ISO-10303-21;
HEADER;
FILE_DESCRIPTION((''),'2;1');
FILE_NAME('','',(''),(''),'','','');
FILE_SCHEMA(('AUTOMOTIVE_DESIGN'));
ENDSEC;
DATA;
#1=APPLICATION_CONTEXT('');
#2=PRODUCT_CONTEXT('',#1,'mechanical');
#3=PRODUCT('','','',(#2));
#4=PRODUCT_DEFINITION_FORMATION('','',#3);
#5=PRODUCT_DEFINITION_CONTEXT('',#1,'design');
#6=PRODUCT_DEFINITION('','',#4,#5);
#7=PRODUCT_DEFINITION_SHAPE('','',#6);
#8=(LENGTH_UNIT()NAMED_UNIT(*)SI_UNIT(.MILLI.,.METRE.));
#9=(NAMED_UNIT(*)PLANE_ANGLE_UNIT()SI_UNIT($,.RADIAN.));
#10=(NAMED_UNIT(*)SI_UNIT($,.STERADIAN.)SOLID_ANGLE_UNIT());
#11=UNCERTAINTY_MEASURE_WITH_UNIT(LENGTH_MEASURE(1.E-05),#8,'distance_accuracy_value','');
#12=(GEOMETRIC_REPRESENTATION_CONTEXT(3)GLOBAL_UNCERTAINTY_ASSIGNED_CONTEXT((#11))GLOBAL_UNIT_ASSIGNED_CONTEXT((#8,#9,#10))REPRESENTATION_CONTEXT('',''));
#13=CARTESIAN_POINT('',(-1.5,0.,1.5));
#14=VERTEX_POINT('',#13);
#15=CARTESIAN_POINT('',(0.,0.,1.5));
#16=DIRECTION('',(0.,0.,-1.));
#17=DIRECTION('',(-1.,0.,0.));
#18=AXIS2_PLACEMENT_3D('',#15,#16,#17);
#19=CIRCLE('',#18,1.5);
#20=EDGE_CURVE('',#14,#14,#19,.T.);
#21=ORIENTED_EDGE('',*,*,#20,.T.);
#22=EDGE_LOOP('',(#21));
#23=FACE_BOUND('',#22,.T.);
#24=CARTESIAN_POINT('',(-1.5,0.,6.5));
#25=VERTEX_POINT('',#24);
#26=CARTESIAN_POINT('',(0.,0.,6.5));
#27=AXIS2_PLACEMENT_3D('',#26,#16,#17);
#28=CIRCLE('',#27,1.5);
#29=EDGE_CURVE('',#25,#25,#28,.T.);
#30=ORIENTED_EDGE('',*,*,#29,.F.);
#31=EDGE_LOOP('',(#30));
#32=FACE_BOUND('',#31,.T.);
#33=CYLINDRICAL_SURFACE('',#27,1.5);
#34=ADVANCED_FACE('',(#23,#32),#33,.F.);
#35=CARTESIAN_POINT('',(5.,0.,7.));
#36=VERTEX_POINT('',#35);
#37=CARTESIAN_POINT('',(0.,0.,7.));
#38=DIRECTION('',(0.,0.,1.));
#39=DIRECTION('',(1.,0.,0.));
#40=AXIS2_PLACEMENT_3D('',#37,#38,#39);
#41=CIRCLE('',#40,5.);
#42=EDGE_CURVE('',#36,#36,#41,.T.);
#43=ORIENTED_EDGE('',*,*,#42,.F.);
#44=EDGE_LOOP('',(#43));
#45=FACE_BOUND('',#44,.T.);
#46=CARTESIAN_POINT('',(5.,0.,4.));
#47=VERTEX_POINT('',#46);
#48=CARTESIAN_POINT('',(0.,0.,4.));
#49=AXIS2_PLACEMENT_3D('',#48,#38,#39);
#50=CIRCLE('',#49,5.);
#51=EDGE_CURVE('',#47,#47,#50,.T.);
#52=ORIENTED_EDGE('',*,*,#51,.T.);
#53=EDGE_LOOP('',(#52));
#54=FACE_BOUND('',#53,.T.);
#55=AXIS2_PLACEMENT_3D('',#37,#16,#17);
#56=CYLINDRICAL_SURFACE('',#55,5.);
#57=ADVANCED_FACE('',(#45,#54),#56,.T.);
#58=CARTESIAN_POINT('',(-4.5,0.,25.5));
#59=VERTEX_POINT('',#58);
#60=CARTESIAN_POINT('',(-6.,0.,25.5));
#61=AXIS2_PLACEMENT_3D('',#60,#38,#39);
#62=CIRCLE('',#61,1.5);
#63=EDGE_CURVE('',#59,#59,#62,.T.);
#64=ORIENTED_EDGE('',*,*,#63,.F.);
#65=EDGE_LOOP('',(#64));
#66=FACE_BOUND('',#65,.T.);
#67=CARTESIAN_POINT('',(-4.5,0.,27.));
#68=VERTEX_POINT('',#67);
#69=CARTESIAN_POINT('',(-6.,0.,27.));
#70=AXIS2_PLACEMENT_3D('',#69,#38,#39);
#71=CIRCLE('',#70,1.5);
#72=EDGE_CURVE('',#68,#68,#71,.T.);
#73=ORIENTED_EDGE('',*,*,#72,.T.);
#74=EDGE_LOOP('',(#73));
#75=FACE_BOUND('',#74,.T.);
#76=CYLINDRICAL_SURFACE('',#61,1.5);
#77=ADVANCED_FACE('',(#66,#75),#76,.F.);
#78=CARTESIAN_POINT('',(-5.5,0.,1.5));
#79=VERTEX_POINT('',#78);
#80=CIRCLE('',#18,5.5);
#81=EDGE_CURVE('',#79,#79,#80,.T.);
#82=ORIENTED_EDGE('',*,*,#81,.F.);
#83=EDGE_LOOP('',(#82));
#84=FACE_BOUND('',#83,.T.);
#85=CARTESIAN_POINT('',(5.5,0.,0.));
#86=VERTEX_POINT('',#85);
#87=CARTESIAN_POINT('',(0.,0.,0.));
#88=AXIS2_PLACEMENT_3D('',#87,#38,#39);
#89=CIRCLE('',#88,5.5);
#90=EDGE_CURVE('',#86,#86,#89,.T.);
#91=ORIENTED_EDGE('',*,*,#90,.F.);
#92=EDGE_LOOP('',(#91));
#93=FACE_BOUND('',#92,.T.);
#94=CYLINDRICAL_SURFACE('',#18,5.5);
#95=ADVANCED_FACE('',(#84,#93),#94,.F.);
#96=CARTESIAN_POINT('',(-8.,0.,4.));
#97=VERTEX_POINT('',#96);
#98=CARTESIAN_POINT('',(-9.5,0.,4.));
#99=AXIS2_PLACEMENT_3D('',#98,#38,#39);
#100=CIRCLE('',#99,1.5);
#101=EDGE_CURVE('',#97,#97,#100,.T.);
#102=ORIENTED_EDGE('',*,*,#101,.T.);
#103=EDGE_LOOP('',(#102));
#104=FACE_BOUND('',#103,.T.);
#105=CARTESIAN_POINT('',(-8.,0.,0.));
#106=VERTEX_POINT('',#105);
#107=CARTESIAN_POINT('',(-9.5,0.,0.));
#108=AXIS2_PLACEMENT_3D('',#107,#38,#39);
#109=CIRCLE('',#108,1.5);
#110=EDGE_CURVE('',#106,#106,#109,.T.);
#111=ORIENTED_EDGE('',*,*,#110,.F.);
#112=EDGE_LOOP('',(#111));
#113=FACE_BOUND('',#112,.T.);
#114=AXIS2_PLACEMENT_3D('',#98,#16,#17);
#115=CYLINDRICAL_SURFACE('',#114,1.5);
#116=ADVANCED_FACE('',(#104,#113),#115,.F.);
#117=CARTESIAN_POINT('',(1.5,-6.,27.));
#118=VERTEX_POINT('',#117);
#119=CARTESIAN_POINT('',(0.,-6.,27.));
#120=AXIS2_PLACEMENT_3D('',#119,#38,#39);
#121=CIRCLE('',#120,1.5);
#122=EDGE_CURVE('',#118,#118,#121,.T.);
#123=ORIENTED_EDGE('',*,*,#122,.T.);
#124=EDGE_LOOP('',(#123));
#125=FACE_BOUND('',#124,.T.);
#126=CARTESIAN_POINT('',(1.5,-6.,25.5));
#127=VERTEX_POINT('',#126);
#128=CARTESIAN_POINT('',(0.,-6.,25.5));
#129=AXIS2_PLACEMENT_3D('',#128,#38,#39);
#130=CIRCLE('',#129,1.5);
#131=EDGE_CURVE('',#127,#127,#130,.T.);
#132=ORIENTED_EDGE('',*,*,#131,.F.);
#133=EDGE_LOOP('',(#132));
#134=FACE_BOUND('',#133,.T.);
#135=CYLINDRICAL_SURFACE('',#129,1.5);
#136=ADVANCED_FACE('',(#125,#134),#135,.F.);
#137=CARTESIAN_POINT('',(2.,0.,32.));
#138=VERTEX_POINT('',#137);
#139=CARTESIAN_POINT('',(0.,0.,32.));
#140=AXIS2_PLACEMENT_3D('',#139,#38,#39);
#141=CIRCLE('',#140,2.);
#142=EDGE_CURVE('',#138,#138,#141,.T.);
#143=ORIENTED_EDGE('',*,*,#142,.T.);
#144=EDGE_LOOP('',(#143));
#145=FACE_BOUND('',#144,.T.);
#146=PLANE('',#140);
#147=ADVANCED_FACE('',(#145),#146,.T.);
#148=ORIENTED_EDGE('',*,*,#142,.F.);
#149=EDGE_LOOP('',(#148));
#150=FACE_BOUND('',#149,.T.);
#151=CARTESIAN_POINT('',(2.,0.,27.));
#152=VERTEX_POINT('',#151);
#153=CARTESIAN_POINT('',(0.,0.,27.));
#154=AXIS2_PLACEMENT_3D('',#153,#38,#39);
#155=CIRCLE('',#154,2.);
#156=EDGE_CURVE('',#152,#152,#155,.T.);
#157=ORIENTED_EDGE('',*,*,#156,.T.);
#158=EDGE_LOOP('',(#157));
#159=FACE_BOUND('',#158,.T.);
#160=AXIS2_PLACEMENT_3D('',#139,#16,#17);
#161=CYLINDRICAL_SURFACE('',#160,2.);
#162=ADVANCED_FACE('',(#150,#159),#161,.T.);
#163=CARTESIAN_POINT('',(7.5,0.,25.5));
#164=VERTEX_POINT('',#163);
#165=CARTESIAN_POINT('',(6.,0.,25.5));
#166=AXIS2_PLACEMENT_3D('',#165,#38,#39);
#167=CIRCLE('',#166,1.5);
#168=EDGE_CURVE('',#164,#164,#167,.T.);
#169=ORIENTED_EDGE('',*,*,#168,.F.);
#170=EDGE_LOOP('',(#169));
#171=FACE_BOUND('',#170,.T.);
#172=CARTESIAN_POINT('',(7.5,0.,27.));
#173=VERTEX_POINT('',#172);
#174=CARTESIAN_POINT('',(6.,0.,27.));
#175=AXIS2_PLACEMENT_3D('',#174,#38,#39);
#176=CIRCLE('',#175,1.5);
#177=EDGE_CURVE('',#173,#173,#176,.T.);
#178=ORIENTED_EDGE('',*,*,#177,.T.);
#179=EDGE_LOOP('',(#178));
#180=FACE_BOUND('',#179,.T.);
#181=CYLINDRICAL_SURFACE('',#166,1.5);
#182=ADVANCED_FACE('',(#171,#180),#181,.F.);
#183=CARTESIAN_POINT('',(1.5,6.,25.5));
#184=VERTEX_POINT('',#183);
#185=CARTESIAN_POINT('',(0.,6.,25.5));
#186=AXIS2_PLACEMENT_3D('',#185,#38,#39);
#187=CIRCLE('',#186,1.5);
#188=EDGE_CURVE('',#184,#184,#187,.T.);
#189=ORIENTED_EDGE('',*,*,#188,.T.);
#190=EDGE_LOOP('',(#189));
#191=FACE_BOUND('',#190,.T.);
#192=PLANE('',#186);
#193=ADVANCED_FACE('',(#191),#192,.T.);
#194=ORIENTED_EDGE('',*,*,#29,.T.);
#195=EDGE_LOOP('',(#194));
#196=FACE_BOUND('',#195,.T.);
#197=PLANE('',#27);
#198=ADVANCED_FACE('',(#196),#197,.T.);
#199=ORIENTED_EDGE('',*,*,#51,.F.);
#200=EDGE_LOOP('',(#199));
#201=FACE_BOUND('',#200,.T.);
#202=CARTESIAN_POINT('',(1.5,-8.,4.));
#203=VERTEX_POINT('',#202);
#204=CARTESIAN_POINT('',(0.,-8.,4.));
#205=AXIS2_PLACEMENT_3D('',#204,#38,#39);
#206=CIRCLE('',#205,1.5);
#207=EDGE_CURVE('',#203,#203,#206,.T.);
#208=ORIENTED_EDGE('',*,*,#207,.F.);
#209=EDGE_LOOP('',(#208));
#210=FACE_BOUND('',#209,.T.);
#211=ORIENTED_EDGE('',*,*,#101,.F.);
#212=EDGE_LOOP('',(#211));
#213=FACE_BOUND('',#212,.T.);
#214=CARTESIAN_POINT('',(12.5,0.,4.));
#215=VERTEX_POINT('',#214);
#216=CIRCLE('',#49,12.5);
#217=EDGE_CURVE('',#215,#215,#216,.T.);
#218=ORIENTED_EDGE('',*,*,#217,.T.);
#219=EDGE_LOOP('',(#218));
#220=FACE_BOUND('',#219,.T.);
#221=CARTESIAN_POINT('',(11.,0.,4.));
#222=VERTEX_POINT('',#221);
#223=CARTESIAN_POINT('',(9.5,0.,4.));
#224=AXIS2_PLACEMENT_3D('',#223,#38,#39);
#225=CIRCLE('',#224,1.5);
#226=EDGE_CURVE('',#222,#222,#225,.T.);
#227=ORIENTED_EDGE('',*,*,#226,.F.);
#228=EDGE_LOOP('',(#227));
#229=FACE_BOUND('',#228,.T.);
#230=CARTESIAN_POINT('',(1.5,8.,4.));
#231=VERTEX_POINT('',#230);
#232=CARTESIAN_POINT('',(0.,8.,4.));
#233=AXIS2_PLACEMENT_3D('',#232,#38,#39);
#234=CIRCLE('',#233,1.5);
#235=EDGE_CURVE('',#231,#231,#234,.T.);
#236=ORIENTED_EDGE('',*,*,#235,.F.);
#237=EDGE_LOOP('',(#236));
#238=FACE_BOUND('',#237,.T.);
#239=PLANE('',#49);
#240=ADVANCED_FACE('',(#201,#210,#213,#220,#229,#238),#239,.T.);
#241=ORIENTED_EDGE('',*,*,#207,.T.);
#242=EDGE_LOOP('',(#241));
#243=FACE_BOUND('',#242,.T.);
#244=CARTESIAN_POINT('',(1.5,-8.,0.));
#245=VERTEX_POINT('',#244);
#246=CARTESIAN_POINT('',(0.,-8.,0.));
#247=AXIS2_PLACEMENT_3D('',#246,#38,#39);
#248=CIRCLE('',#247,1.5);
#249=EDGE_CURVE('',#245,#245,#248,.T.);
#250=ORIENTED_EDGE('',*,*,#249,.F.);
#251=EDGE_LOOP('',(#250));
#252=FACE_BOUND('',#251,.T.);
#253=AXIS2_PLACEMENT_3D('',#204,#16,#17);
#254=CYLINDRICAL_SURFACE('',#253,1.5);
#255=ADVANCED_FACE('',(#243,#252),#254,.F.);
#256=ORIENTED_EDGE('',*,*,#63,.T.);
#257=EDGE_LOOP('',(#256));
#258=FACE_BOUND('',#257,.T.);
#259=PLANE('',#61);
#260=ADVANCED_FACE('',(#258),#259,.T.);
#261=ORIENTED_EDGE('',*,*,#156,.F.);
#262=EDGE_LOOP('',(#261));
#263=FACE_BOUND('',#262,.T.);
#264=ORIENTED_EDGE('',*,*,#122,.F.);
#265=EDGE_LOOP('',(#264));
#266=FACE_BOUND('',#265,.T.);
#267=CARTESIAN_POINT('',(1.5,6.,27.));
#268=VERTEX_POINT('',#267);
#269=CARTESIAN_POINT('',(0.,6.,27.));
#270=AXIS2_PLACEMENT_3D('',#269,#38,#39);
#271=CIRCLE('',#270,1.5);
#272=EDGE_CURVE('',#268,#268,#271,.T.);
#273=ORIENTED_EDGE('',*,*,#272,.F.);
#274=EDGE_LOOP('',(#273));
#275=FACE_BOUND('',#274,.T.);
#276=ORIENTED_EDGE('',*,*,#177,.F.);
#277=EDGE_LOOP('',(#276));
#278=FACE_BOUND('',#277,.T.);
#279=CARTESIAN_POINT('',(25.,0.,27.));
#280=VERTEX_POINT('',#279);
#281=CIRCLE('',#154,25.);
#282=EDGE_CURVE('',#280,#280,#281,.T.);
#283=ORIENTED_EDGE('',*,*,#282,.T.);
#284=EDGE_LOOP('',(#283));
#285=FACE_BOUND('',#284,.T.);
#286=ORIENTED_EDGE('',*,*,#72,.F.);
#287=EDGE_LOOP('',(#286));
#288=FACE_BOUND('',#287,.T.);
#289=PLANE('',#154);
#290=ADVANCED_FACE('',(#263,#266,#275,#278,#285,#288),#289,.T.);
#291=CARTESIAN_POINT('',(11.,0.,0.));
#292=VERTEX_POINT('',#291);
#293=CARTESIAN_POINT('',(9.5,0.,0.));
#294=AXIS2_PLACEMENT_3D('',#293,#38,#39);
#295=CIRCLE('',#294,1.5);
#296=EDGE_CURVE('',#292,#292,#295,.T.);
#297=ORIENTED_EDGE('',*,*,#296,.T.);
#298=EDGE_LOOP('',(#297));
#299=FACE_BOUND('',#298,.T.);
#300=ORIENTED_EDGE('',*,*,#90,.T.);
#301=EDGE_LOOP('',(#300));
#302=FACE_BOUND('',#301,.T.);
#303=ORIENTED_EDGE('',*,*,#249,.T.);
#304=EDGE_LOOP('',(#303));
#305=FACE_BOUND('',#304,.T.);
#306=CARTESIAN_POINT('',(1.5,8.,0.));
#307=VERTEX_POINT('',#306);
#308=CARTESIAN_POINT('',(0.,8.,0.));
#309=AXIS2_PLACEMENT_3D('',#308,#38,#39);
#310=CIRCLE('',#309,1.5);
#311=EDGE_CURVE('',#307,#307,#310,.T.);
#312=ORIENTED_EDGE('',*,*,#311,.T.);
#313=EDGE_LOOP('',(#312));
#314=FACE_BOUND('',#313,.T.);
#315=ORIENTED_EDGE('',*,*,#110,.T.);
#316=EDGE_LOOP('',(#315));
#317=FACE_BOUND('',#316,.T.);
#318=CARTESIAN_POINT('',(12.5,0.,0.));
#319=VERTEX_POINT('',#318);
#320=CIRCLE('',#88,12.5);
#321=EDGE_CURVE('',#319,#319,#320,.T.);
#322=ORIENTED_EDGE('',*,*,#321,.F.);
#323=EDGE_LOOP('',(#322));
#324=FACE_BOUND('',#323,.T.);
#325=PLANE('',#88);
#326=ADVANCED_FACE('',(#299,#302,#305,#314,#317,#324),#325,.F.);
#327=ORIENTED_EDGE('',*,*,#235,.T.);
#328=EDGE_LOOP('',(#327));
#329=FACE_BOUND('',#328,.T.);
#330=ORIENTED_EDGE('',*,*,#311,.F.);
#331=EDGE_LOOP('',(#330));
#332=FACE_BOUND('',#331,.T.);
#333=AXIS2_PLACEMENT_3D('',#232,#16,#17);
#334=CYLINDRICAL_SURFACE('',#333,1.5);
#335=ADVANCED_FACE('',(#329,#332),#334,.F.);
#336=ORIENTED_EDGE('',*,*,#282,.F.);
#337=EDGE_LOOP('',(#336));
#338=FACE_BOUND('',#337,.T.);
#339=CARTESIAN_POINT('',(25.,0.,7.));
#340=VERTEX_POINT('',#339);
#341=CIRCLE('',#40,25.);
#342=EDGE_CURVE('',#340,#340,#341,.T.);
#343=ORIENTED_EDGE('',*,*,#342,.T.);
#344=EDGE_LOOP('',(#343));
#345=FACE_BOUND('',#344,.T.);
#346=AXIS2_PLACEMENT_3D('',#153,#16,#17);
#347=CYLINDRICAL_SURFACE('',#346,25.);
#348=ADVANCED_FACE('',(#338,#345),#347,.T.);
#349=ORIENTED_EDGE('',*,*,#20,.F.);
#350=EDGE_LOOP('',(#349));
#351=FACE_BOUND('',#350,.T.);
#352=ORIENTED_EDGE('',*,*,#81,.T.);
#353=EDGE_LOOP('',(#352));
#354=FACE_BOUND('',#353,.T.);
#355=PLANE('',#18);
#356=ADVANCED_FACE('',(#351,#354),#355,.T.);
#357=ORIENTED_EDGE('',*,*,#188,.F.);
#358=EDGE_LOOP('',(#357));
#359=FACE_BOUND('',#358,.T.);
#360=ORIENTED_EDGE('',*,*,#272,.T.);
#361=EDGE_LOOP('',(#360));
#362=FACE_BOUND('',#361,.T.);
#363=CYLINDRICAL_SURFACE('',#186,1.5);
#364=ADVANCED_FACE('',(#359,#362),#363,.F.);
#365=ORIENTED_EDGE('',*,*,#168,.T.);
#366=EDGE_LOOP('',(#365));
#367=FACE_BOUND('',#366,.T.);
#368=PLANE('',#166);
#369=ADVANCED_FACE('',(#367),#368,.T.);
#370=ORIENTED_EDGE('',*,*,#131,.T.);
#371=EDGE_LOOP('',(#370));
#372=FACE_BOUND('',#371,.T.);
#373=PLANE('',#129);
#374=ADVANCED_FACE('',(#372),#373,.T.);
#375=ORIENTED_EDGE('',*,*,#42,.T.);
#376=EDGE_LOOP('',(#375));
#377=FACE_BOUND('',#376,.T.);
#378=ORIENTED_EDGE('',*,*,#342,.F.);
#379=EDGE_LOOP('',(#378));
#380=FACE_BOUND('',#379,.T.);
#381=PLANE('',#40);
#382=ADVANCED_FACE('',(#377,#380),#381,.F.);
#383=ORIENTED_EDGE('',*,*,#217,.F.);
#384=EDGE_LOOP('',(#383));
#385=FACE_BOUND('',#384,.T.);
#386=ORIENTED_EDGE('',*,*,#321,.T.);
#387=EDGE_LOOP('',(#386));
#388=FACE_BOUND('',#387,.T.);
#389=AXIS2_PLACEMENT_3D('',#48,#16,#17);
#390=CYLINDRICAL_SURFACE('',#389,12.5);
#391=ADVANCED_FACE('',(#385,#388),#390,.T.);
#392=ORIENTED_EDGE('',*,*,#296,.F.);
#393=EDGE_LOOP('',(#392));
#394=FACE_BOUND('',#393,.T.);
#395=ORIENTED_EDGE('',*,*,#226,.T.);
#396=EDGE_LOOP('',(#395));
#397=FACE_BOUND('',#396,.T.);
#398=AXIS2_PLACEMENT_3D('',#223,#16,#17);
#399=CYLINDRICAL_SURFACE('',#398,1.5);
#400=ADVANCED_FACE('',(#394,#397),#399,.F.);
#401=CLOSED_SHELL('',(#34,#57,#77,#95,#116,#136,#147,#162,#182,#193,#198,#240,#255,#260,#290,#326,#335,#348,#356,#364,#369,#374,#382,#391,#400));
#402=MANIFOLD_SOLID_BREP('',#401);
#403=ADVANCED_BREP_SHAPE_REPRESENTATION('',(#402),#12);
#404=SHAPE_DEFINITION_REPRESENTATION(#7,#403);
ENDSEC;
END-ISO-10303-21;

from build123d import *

# Parameters (mm, degrees)
SKETCH1_R           = 12.5
SKETCH1_R_2         = 1.5
BOSS_EXTRUDE1_DEPTH = 4
SKETCH2_R           = 5
BOSS_EXTRUDE2_DEPTH = 3
SKETCH3_R           = 25
BOSS_EXTRUDE3_DEPTH = 20
SKETCH4_R           = 1.5
CUT_EXTRUDE1_DEPTH  = 1.5
SKETCH5_R           = 2
BOSS_EXTRUDE4_DEPTH = 5
SKETCH6_R           = 5.5
CUT_EXTRUDE2_DEPTH  = 1.5
SKETCH7_R           = 1.5
CUT_EXTRUDE3_DEPTH  = 5


with BuildPart() as part:
    # Sketch1 → Boss-Extrude1 (new body)
    with BuildSketch(Plane(origin=(0, 0, 0), x_dir=(0, 1, 0), z_dir=(0, 0, 1))):
        with Locations(Location((0, 0, 0), (0, 0, 270))):
            Circle(SKETCH1_R)
        with Locations(Location((0, 9.5, 0), (0, 0, 270))):
            Circle(SKETCH1_R_2, mode=Mode.SUBTRACT)
        with Locations(Location((-8, 0, 0), (0, 0, 270))):
            Circle(SKETCH1_R_2, mode=Mode.SUBTRACT)
        with Locations(Location((8, 0, 0), (0, 0, 270))):
            Circle(SKETCH1_R_2, mode=Mode.SUBTRACT)
        with Locations(Location((0, -9.5, 0), (0, 0, 270))):
            Circle(SKETCH1_R_2, mode=Mode.SUBTRACT)
    extrude(amount=BOSS_EXTRUDE1_DEPTH)

    # Sketch2 → Boss-Extrude2 (add)
    with BuildSketch(Plane.XY.offset(4)):
        Circle(SKETCH2_R)
    extrude(amount=BOSS_EXTRUDE2_DEPTH)

    # Sketch3 → Boss-Extrude3 (add)
    with BuildSketch(Plane.XY.offset(7)):
        Circle(SKETCH3_R)
    extrude(amount=BOSS_EXTRUDE3_DEPTH)

    # Sketch4 → Cut-Extrude1 (cut, symmetric)
    with BuildSketch(Plane.XY.offset(27)):
        with Locations((0, 6)):
            Circle(SKETCH4_R)
        with Locations((6, 0)):
            Circle(SKETCH4_R)
        with Locations((0, -6)):
            Circle(SKETCH4_R)
        with Locations((-6, 0)):
            Circle(SKETCH4_R)
    extrude(amount=CUT_EXTRUDE1_DEPTH, both=True, mode=Mode.SUBTRACT)

    # Sketch5 → Boss-Extrude4 (add)
    with BuildSketch(Plane.XY.offset(27)):
        Circle(SKETCH5_R)
    extrude(amount=BOSS_EXTRUDE4_DEPTH)

    # Sketch6 → Cut-Extrude2 (cut, symmetric)
    with BuildSketch(Plane(origin=(0, 0, 0), x_dir=(1, 0, 0), z_dir=(0, 0, -1))):
        with Locations(Location((0, 0, 0), (0, 0, 180))):
            Circle(SKETCH6_R)
    extrude(amount=CUT_EXTRUDE2_DEPTH, both=True, mode=Mode.SUBTRACT)

    # Sketch7 → Cut-Extrude3 (cut)
    with BuildSketch(Plane(origin=(0, 0, 1.5), x_dir=(1, 0, 0), z_dir=(0, 0, -1))):
        with Locations(Location((0, 0, 0), (0, 0, 180))):
            Circle(SKETCH7_R)
    extrude(amount=-CUT_EXTRUDE3_DEPTH, mode=Mode.SUBTRACT)


solid = part.part
